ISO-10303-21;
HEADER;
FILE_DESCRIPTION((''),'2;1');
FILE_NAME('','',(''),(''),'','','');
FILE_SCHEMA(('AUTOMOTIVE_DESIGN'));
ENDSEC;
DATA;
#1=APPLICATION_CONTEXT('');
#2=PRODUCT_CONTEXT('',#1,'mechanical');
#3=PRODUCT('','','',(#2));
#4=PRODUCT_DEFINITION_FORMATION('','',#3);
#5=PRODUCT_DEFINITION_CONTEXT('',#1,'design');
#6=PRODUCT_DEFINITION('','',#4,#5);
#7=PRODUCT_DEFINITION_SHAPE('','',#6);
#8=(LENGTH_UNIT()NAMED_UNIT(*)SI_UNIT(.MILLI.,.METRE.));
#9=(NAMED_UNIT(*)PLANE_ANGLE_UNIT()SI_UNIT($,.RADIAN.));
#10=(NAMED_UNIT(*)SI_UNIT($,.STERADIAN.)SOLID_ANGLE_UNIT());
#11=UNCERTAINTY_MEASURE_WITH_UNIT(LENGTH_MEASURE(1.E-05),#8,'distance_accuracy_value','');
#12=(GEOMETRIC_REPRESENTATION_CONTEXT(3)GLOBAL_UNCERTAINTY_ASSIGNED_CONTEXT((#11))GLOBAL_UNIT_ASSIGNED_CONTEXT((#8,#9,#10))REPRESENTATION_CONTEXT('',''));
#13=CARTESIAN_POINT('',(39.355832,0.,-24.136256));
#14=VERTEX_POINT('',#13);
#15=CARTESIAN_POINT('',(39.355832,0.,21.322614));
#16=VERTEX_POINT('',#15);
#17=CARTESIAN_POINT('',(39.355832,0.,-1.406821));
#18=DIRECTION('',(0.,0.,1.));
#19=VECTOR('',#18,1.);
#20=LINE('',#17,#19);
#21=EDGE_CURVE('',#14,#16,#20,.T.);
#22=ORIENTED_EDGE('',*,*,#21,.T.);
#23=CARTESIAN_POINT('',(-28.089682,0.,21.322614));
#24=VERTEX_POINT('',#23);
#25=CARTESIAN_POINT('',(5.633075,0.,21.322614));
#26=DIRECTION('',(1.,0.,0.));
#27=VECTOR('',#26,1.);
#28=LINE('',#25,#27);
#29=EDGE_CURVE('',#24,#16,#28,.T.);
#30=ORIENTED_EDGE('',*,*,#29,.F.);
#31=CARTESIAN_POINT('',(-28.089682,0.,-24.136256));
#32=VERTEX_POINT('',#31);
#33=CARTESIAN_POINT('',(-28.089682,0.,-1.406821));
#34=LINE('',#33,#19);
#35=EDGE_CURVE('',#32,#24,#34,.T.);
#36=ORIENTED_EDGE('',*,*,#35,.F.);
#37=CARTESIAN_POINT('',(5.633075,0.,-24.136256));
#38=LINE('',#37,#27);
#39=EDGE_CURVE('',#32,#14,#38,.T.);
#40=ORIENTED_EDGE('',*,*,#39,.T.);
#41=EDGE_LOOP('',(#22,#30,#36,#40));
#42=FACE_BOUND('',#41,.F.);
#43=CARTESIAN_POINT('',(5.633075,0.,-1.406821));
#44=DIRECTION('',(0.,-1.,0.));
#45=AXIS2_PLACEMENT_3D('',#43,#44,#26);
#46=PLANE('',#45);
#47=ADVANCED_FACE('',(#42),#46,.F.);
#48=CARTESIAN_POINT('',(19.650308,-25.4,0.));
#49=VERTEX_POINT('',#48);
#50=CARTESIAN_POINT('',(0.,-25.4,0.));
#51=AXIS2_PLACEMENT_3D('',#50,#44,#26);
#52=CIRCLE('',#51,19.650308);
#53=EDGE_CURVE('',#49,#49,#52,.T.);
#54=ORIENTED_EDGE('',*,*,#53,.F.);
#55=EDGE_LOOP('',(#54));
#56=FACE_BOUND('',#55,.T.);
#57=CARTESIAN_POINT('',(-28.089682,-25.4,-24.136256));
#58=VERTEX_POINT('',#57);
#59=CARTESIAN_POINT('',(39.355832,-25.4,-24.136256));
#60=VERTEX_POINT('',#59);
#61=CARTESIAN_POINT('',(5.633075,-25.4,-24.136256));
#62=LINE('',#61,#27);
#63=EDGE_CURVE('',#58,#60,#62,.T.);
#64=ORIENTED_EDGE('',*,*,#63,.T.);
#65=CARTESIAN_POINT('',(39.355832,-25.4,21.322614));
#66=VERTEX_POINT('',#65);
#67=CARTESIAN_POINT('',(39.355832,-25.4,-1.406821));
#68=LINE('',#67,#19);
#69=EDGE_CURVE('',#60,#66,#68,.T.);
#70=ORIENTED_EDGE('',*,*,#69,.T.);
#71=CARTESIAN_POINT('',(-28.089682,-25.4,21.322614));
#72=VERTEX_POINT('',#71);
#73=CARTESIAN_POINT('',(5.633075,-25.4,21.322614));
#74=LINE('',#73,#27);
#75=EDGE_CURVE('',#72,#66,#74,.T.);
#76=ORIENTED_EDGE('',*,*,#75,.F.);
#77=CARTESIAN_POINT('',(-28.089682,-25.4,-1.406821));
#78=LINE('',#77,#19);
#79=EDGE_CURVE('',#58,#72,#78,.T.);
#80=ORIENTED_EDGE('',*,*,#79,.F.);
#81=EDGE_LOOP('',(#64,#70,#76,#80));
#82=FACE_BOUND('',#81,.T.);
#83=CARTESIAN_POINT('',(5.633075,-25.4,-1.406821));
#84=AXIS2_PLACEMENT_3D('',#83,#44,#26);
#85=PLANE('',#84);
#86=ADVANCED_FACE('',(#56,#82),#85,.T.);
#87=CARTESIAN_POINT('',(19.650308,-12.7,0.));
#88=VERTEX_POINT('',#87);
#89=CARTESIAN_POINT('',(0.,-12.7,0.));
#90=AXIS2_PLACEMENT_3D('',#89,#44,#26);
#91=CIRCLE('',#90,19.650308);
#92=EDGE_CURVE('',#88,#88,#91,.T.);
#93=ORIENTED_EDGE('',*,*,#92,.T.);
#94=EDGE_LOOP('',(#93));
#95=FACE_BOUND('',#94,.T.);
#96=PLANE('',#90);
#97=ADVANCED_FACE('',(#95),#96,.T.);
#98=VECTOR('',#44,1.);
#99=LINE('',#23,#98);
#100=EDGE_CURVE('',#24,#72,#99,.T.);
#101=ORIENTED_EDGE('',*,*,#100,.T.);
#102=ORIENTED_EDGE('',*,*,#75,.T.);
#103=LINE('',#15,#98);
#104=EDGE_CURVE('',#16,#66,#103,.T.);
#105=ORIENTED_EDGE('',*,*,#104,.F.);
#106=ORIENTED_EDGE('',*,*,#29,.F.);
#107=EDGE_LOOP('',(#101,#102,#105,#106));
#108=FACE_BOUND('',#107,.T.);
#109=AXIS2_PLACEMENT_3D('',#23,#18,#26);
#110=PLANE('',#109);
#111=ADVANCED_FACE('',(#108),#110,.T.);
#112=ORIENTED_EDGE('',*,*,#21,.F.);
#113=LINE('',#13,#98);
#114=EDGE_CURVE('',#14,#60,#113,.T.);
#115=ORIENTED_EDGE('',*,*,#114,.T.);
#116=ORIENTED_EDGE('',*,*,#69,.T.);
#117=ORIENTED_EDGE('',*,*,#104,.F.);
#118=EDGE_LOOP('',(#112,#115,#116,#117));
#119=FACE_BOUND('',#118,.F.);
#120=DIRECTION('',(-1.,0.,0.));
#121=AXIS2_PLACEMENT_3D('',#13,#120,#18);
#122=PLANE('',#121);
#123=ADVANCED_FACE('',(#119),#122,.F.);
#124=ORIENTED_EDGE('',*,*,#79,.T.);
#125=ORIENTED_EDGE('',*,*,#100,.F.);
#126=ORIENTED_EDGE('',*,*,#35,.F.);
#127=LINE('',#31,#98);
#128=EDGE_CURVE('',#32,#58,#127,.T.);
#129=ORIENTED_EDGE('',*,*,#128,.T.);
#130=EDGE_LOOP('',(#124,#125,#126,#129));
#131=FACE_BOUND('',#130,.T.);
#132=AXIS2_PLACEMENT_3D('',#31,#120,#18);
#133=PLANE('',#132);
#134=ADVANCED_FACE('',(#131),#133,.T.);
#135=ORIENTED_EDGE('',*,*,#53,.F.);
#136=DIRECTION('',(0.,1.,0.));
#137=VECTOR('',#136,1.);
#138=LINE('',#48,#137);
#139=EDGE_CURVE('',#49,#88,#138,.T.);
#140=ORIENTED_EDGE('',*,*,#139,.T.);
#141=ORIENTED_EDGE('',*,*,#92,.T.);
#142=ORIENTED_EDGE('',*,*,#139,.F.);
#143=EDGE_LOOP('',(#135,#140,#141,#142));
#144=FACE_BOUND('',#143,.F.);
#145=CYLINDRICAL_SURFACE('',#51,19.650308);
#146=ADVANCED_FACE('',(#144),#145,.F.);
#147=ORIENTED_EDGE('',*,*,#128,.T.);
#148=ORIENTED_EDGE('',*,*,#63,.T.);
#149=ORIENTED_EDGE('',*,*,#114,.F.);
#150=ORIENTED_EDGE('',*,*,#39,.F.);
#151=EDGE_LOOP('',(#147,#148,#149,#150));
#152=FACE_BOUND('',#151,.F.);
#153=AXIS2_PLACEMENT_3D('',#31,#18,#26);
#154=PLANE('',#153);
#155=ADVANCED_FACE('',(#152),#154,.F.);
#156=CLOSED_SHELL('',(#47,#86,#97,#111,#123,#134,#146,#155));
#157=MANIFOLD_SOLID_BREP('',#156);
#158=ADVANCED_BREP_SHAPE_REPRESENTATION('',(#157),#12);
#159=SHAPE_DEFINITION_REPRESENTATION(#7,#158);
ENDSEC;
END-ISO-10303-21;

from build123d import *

# Parameters (mm, degrees)
F0_W     = 67.445515
F0_H     = 45.45887
F1_DEPTH = 25.4
F2_R     = 19.650308
F3_DEPTH = 12.7


with BuildPart() as f1:
    # F0 (on Front) → F1 (new body)
    with BuildSketch(Plane.XZ):
        with Locations((5.633075, -1.406821)):
            Rectangle(F0_W, F0_H)
    extrude(amount=F1_DEPTH)

    # F2 (on face) → F3 (cut)
    with BuildSketch(Plane.XZ.offset(25.4)):
        Circle(F2_R)
    extrude(amount=-F3_DEPTH, mode=Mode.SUBTRACT)


solid = f1.part
